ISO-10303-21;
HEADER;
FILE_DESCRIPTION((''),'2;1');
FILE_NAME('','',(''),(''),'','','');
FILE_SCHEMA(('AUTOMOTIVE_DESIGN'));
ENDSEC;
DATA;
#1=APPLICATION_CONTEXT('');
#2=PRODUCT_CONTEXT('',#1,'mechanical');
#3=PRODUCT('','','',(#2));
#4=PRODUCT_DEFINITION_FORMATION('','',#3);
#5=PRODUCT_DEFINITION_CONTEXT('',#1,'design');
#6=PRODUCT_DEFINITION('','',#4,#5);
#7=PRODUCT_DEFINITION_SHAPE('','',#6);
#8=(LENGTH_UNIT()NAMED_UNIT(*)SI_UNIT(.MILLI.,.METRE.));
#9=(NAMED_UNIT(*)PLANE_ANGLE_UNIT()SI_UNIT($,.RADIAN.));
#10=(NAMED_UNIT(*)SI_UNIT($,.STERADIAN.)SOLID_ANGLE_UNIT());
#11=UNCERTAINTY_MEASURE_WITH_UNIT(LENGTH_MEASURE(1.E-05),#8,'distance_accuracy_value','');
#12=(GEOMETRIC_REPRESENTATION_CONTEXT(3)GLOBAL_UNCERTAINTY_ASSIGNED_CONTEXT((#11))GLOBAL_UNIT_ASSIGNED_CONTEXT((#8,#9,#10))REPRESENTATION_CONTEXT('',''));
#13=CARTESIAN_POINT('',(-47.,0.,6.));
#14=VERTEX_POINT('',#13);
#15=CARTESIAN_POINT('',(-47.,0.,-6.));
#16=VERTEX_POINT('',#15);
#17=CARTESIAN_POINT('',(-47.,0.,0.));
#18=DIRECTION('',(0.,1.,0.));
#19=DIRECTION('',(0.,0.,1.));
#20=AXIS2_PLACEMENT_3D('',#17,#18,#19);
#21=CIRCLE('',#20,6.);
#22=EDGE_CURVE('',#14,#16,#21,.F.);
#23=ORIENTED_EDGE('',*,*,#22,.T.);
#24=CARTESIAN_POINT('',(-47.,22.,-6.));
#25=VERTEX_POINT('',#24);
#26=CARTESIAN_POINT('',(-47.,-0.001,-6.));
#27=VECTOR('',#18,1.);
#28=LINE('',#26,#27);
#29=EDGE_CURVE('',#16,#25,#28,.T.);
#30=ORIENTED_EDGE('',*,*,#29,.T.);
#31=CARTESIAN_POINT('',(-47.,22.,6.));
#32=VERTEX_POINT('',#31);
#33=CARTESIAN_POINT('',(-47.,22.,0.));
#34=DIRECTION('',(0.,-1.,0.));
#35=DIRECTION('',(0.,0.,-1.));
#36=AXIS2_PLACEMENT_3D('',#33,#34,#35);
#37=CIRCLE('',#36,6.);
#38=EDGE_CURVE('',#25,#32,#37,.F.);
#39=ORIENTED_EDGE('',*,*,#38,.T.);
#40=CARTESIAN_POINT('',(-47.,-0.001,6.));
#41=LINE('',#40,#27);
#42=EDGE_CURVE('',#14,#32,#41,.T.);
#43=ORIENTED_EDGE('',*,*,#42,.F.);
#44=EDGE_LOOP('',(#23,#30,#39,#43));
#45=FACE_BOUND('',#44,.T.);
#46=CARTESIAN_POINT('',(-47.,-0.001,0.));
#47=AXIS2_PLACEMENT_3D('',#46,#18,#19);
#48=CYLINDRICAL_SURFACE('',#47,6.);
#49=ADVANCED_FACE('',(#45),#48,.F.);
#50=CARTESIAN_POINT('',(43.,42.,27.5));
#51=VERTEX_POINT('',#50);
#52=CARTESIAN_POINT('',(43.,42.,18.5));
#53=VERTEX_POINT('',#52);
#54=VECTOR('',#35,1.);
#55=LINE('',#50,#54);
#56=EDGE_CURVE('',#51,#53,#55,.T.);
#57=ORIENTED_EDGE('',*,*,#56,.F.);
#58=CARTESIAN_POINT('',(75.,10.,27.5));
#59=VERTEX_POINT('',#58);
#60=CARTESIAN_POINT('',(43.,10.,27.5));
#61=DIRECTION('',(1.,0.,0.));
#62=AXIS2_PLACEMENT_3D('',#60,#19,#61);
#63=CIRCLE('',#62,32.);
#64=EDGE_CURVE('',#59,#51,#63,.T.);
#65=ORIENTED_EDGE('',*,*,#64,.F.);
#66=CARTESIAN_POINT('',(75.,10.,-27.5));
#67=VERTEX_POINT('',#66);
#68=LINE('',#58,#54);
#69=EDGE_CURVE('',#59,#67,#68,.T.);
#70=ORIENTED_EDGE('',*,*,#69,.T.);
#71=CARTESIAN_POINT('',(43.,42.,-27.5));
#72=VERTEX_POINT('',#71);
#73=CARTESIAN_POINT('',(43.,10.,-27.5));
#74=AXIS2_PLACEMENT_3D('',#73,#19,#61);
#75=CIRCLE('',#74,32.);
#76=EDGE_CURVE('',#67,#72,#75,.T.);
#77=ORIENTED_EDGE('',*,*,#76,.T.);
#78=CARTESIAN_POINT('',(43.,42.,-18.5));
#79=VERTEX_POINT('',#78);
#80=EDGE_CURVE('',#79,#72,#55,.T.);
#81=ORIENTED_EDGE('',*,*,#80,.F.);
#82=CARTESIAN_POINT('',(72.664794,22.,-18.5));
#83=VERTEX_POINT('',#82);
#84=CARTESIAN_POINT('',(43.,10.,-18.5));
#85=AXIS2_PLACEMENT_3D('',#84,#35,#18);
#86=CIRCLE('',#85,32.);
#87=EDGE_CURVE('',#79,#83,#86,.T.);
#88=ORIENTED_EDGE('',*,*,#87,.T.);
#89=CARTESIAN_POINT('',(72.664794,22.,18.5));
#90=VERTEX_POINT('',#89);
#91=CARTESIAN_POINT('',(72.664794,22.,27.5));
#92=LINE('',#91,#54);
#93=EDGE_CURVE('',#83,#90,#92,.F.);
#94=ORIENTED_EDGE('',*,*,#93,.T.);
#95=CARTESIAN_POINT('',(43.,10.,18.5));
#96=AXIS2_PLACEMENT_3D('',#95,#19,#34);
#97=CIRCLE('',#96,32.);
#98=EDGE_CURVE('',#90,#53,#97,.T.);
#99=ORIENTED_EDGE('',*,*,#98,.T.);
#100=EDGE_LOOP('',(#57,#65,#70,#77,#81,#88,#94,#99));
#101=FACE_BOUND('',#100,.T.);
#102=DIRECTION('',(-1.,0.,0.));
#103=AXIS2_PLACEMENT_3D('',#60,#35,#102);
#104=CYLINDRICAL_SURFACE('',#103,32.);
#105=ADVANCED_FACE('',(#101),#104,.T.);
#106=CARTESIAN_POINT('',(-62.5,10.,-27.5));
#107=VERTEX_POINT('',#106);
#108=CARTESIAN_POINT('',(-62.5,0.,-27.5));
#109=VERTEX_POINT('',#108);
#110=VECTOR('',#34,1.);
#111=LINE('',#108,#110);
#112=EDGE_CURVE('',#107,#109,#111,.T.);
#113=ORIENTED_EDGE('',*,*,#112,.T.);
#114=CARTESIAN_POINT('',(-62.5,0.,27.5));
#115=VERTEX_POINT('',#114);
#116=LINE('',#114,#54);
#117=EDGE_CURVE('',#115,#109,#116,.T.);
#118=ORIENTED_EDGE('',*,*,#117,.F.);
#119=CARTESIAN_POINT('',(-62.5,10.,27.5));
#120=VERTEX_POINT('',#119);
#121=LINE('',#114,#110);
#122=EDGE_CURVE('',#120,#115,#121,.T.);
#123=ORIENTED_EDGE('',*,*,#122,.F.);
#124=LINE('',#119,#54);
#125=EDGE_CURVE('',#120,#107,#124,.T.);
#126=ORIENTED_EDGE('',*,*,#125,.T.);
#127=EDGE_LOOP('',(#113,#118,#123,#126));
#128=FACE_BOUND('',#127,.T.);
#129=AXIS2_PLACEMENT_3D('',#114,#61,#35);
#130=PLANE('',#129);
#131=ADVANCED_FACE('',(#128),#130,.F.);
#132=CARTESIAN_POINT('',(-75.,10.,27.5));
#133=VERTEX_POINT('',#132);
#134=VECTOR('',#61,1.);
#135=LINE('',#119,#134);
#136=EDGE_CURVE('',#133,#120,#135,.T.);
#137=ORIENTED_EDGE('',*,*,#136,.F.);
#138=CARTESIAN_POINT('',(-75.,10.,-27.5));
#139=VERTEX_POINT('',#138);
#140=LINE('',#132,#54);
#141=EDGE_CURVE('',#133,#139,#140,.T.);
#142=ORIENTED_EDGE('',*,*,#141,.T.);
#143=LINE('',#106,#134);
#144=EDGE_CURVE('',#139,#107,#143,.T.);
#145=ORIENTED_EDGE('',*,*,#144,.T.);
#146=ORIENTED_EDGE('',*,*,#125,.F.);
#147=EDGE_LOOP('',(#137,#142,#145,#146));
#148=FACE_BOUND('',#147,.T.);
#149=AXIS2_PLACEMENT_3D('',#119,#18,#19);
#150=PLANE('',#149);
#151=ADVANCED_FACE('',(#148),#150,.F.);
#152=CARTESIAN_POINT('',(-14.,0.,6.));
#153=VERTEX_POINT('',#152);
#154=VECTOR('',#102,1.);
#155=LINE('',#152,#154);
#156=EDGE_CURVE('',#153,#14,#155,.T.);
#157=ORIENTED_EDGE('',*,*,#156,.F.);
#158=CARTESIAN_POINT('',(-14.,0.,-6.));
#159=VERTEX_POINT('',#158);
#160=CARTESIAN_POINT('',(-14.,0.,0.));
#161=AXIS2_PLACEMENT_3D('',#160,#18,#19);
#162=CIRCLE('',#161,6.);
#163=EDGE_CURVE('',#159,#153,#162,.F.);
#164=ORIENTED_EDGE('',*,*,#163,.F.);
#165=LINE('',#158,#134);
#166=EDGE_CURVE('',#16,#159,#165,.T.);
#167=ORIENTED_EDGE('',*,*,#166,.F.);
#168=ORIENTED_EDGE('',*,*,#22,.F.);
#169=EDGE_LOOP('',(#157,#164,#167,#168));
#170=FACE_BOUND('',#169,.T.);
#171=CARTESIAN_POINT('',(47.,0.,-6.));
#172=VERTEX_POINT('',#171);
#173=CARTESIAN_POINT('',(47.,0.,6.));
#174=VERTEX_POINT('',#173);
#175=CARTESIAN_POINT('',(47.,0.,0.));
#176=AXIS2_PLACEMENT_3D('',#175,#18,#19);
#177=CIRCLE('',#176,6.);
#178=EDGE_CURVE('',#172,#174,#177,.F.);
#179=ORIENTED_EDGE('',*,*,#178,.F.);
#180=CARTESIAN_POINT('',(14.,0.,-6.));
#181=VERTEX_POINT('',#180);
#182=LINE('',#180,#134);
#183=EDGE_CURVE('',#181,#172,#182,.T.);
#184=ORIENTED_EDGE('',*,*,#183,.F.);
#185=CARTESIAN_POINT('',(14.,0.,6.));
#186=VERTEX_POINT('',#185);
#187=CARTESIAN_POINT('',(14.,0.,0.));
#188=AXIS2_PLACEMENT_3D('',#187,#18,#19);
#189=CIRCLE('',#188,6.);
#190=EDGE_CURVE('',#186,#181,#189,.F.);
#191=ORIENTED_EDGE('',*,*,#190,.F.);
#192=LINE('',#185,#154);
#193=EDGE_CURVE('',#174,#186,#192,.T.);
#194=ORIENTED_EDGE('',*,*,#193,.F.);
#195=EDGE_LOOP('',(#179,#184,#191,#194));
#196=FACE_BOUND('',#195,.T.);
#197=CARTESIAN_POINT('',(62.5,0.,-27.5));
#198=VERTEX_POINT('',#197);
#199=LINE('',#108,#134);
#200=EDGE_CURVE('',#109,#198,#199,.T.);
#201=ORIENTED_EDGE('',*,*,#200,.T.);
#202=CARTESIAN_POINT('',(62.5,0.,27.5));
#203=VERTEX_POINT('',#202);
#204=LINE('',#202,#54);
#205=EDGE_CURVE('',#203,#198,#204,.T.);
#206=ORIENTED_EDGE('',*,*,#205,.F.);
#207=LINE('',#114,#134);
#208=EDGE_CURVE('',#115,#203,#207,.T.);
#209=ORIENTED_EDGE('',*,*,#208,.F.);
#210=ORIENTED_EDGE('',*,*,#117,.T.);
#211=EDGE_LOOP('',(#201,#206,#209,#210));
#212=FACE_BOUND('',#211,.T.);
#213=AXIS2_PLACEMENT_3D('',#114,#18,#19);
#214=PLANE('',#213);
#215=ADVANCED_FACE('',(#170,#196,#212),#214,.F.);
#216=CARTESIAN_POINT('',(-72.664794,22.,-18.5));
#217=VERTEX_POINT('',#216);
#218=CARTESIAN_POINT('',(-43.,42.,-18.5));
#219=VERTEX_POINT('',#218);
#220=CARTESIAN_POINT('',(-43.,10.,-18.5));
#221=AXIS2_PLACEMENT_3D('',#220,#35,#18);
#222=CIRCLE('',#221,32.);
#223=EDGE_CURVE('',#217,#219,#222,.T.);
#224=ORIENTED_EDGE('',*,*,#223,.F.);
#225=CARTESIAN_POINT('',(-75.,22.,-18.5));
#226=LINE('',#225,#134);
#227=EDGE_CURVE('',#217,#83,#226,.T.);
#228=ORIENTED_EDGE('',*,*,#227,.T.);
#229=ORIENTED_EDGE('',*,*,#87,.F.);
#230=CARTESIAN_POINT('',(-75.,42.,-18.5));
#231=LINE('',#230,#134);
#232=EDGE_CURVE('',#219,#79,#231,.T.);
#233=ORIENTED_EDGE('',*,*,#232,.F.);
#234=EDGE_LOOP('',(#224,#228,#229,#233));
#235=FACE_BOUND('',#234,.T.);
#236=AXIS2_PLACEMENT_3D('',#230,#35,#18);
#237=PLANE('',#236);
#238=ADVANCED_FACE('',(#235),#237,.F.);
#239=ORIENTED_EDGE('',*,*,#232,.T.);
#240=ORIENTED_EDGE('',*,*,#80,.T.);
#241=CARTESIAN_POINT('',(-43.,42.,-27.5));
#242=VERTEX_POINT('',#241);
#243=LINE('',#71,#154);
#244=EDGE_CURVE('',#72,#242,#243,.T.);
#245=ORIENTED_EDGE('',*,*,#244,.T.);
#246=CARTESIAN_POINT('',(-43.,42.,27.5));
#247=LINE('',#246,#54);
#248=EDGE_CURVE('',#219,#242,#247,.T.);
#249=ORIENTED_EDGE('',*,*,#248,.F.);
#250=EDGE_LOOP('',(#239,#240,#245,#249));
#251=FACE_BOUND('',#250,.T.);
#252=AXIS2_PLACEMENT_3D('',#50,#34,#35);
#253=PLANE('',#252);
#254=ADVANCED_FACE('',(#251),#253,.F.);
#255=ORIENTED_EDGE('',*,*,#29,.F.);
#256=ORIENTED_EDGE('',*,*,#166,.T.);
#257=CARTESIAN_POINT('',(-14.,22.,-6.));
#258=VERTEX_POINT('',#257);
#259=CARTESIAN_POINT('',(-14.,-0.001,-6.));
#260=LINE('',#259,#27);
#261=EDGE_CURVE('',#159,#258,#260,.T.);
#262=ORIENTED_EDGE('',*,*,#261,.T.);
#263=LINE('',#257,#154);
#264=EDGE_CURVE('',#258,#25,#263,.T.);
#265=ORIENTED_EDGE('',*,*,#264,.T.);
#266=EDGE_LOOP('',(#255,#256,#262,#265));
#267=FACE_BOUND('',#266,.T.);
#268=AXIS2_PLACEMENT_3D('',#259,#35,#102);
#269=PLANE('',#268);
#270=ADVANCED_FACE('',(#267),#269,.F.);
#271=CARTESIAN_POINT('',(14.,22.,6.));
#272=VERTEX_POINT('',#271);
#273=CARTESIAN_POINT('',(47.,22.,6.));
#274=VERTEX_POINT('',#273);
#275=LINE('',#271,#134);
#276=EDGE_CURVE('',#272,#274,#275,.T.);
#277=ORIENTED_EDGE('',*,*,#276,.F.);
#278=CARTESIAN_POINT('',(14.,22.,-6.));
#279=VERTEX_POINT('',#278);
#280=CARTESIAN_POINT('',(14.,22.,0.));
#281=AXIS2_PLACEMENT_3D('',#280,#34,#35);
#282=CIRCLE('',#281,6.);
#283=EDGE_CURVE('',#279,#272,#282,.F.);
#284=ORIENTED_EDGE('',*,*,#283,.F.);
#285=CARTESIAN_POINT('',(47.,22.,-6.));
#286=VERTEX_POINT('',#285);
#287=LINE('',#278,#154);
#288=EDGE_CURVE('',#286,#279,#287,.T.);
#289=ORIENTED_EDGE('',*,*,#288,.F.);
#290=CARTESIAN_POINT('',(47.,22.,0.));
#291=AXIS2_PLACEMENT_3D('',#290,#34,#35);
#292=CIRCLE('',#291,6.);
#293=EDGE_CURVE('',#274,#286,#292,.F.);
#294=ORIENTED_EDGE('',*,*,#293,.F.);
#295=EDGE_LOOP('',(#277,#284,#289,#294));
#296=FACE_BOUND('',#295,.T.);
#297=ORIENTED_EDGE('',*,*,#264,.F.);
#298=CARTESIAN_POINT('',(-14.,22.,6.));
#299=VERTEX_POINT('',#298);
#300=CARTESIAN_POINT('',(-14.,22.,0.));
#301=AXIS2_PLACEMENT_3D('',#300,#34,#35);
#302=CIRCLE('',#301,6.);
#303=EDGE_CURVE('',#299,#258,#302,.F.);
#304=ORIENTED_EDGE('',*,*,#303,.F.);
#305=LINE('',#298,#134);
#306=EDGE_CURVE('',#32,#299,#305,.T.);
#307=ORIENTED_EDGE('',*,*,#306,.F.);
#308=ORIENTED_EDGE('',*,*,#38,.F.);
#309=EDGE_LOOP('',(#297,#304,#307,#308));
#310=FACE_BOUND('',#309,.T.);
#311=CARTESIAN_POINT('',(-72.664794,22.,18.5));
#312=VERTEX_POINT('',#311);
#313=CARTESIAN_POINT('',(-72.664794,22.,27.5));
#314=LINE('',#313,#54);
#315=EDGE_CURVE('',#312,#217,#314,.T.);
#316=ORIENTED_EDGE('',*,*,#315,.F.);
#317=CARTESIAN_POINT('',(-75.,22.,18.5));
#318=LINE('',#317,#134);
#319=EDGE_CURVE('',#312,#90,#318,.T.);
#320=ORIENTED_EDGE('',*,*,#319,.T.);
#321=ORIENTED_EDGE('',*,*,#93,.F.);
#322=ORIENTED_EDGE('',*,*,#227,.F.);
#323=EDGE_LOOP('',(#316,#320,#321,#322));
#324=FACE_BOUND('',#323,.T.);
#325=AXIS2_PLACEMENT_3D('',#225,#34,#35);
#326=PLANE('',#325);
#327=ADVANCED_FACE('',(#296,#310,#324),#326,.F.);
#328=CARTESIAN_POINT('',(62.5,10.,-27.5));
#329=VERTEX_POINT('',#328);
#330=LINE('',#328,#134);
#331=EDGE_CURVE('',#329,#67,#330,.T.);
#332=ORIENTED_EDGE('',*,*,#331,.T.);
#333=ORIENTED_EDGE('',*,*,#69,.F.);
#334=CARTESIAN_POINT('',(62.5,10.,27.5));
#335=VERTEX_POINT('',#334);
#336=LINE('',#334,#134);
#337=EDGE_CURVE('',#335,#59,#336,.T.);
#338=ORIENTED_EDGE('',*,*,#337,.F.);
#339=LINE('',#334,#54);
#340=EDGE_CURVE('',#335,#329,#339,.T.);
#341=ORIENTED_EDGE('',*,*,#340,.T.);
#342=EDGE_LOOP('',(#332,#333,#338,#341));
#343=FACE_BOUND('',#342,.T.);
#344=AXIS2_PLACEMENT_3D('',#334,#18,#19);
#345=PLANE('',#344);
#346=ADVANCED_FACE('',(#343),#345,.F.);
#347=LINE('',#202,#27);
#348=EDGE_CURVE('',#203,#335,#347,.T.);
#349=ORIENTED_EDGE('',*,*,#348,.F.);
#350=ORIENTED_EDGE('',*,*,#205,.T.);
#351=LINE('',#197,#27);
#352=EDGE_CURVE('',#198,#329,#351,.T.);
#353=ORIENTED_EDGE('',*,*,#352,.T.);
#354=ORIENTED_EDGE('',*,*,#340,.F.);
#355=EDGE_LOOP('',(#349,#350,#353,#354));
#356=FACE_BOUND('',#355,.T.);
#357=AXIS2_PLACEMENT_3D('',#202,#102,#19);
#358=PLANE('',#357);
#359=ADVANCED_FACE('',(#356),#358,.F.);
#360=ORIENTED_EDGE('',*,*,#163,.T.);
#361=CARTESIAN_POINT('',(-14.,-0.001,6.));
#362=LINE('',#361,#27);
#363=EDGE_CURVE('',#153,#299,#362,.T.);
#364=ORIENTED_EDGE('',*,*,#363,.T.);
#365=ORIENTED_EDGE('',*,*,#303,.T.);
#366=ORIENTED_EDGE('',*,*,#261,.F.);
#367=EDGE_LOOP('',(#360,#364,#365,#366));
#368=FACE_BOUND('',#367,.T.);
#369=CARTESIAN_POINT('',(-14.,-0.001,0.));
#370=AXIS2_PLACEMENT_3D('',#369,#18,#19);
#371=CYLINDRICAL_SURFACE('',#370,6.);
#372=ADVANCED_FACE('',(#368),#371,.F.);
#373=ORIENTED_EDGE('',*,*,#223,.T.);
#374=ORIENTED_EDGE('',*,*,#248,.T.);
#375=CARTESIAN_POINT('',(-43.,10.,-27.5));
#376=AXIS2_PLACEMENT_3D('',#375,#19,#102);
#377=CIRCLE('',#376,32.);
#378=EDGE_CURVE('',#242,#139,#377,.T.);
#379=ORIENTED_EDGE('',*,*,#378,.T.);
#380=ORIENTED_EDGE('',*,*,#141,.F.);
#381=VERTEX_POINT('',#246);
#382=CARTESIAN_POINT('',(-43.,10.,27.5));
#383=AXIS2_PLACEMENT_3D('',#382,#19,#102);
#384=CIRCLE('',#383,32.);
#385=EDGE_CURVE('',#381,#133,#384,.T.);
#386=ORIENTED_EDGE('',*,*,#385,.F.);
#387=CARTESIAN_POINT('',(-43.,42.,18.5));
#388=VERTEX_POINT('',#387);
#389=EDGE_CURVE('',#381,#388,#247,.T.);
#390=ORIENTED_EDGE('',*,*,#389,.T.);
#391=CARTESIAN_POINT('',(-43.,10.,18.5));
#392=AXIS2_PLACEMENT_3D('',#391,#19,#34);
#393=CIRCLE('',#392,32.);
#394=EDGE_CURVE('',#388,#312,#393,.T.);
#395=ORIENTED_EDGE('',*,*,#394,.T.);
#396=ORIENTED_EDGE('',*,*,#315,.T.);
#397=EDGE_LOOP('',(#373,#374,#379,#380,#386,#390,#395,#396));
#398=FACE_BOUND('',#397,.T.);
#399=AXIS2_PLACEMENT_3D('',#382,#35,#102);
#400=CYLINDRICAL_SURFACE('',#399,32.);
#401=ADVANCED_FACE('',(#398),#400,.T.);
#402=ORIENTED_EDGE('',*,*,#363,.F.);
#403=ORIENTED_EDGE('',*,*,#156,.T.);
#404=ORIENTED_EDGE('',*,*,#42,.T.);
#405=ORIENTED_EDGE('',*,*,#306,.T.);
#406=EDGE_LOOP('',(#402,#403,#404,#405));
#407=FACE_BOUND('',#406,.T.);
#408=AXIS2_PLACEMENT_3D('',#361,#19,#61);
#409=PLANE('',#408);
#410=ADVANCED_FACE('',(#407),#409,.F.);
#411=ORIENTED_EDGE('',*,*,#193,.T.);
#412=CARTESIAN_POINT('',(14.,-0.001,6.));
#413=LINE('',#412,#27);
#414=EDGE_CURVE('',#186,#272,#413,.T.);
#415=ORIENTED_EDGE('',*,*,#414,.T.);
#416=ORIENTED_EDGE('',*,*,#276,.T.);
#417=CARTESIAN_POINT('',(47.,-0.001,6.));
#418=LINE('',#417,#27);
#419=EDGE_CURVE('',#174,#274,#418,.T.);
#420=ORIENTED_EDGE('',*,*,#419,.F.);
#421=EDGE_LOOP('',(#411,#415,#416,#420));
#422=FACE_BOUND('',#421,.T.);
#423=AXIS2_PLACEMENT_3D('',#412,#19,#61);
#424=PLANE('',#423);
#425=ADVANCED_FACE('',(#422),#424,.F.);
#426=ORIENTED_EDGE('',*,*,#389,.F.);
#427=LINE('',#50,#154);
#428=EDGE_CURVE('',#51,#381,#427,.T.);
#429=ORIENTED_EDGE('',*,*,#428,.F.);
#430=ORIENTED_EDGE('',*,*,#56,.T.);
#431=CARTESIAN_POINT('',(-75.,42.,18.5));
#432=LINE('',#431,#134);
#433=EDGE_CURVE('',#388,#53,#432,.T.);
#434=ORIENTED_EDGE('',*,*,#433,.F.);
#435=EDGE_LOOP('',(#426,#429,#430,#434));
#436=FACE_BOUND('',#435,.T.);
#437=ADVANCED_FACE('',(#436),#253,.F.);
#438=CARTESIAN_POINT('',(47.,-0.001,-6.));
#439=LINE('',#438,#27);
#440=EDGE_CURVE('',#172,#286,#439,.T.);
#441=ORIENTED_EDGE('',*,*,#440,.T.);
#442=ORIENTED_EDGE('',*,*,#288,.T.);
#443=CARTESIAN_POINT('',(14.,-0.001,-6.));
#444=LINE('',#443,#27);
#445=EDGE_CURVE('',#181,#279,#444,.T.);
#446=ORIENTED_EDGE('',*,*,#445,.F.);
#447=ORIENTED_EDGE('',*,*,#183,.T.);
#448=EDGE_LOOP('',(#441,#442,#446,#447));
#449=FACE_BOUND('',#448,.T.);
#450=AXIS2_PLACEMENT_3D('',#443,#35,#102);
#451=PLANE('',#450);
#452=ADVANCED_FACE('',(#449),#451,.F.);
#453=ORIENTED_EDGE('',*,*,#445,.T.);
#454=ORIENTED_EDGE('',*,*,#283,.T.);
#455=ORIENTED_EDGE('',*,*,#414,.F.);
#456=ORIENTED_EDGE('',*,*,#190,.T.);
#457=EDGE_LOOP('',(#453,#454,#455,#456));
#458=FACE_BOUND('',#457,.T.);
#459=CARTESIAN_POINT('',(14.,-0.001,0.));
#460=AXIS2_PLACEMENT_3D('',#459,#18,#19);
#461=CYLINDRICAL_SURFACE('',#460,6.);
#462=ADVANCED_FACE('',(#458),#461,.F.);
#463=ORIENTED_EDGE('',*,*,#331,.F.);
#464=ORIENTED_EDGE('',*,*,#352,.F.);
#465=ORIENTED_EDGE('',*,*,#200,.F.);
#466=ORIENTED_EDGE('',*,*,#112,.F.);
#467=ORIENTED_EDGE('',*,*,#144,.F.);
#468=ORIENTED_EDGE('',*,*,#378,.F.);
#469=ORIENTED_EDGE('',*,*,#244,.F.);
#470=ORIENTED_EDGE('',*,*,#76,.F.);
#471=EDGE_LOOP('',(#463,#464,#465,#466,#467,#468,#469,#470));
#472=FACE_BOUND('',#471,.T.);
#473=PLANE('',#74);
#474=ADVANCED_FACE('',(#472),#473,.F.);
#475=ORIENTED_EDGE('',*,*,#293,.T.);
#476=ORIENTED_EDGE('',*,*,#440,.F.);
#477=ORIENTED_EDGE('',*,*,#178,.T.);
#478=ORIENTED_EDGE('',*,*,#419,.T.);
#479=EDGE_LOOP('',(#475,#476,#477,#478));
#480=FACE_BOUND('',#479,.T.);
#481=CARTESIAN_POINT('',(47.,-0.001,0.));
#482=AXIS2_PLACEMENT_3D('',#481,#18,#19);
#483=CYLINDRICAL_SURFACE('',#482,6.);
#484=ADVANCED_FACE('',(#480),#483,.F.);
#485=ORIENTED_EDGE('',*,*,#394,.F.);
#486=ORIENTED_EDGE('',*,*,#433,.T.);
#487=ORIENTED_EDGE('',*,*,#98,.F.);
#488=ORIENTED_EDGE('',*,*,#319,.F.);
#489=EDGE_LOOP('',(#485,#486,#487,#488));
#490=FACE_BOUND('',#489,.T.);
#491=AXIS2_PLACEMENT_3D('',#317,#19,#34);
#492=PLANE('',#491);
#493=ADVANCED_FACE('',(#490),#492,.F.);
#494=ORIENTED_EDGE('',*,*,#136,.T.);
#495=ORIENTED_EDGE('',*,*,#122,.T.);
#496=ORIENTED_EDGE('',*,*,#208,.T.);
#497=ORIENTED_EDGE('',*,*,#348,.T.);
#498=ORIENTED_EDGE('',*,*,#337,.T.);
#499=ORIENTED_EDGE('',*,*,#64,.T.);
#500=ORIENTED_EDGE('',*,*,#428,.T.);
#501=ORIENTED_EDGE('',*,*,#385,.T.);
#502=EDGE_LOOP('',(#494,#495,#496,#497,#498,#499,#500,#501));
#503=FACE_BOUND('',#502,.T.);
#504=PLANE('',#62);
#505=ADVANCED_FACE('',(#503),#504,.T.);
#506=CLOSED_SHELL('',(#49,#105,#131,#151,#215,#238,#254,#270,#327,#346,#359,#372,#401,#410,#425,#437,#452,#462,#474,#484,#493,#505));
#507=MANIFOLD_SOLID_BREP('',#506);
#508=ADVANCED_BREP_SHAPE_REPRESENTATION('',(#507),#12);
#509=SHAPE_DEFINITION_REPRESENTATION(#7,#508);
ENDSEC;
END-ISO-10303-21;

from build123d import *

# Parameters (mm, degrees)
BOSS_EXTRUDE1_DEPTH     = 27.5
CUT_EXTRUDE1_DEPTH      = 91.251038775
CUT_EXTRUDE1_DEPTH_BACK = 91.251038775
SKETCH3_W               = 37
SKETCH3_H               = 20
CUT_EXTRUDE2_REACH      = 92.251


with BuildPart() as part:
    # Sketch1 → Boss-Extrude1 (new, symmetric)
    with BuildSketch(Plane.XY):
        with BuildLine():
            Line((-62.5, 0), (62.5, 0))
            Line((62.5, 0), (62.5, 10))
            Line((62.5, 10), (75, 10))
            ThreePointArc((75, 10), (65.627416998, 32.627416998), (43, 42))
            Line((43, 42), (-43, 42))
            ThreePointArc((-43, 42), (-65.627416998, 32.627416998), (-75, 10))
            Line((-75, 10), (-62.5, 10))
            Line((-62.5, 10), (-62.5, 0))
        make_face()
    extrude(amount=BOSS_EXTRUDE1_DEPTH, both=True)

    # Sketch3 → Cut-Extrude1 (cut, two sides: drawn at the far end of the back side and taken through both)
    with BuildSketch(Plane(origin=(0, 0, 0), x_dir=(0, 0, -1), z_dir=(1, 0, 0)).offset(-CUT_EXTRUDE1_DEPTH_BACK)):
        with Locations((0, 32)):
            Rectangle(SKETCH3_W, SKETCH3_H)
    extrude(amount=CUT_EXTRUDE1_DEPTH + CUT_EXTRUDE1_DEPTH_BACK, mode=Mode.SUBTRACT)

    # Sketch2 → Cut-Extrude2 (cut, up to next)
    with BuildSketch(Plane(origin=(0, 42, 0), x_dir=(1, 0, 0), z_dir=(0, 1, 0)), mode=Mode.PRIVATE) as cut_extrude2_sk1:
        with BuildLine():
            Line((-14, 6), (-47, 6))
            ThreePointArc((-47, 6), (-53, 0), (-47, -6))
            Line((-47, -6), (-14, -6))
            ThreePointArc((-14, -6), (-8, 0), (-14, 6))
        make_face()
    cut_extrude2_tool1 = extrude(cut_extrude2_sk1.sketch, amount=-CUT_EXTRUDE2_REACH, mode=Mode.PRIVATE) & part.part
    # Sketch2 → Cut-Extrude2 (cut, up to next)
    with BuildSketch(Plane(origin=(0, 42, 0), x_dir=(1, 0, 0), z_dir=(0, 1, 0)), mode=Mode.PRIVATE) as cut_extrude2_sk2:
        with BuildLine():
            Line((14, 6), (47, 6))
            ThreePointArc((47, 6), (53, 0), (47, -6))
            Line((47, -6), (14, -6))
            ThreePointArc((14, -6), (8, 0), (14, 6))
        make_face()
    cut_extrude2_tool2 = extrude(cut_extrude2_sk2.sketch, amount=-CUT_EXTRUDE2_REACH, mode=Mode.PRIVATE) & part.part
    add(cut_extrude2_tool1.solids().sort_by_distance((-30.5, 42, 0))[0], mode=Mode.SUBTRACT)
    add(cut_extrude2_tool2.solids().sort_by_distance((30.5, 42, 0))[0], mode=Mode.SUBTRACT)


solid = part.part
